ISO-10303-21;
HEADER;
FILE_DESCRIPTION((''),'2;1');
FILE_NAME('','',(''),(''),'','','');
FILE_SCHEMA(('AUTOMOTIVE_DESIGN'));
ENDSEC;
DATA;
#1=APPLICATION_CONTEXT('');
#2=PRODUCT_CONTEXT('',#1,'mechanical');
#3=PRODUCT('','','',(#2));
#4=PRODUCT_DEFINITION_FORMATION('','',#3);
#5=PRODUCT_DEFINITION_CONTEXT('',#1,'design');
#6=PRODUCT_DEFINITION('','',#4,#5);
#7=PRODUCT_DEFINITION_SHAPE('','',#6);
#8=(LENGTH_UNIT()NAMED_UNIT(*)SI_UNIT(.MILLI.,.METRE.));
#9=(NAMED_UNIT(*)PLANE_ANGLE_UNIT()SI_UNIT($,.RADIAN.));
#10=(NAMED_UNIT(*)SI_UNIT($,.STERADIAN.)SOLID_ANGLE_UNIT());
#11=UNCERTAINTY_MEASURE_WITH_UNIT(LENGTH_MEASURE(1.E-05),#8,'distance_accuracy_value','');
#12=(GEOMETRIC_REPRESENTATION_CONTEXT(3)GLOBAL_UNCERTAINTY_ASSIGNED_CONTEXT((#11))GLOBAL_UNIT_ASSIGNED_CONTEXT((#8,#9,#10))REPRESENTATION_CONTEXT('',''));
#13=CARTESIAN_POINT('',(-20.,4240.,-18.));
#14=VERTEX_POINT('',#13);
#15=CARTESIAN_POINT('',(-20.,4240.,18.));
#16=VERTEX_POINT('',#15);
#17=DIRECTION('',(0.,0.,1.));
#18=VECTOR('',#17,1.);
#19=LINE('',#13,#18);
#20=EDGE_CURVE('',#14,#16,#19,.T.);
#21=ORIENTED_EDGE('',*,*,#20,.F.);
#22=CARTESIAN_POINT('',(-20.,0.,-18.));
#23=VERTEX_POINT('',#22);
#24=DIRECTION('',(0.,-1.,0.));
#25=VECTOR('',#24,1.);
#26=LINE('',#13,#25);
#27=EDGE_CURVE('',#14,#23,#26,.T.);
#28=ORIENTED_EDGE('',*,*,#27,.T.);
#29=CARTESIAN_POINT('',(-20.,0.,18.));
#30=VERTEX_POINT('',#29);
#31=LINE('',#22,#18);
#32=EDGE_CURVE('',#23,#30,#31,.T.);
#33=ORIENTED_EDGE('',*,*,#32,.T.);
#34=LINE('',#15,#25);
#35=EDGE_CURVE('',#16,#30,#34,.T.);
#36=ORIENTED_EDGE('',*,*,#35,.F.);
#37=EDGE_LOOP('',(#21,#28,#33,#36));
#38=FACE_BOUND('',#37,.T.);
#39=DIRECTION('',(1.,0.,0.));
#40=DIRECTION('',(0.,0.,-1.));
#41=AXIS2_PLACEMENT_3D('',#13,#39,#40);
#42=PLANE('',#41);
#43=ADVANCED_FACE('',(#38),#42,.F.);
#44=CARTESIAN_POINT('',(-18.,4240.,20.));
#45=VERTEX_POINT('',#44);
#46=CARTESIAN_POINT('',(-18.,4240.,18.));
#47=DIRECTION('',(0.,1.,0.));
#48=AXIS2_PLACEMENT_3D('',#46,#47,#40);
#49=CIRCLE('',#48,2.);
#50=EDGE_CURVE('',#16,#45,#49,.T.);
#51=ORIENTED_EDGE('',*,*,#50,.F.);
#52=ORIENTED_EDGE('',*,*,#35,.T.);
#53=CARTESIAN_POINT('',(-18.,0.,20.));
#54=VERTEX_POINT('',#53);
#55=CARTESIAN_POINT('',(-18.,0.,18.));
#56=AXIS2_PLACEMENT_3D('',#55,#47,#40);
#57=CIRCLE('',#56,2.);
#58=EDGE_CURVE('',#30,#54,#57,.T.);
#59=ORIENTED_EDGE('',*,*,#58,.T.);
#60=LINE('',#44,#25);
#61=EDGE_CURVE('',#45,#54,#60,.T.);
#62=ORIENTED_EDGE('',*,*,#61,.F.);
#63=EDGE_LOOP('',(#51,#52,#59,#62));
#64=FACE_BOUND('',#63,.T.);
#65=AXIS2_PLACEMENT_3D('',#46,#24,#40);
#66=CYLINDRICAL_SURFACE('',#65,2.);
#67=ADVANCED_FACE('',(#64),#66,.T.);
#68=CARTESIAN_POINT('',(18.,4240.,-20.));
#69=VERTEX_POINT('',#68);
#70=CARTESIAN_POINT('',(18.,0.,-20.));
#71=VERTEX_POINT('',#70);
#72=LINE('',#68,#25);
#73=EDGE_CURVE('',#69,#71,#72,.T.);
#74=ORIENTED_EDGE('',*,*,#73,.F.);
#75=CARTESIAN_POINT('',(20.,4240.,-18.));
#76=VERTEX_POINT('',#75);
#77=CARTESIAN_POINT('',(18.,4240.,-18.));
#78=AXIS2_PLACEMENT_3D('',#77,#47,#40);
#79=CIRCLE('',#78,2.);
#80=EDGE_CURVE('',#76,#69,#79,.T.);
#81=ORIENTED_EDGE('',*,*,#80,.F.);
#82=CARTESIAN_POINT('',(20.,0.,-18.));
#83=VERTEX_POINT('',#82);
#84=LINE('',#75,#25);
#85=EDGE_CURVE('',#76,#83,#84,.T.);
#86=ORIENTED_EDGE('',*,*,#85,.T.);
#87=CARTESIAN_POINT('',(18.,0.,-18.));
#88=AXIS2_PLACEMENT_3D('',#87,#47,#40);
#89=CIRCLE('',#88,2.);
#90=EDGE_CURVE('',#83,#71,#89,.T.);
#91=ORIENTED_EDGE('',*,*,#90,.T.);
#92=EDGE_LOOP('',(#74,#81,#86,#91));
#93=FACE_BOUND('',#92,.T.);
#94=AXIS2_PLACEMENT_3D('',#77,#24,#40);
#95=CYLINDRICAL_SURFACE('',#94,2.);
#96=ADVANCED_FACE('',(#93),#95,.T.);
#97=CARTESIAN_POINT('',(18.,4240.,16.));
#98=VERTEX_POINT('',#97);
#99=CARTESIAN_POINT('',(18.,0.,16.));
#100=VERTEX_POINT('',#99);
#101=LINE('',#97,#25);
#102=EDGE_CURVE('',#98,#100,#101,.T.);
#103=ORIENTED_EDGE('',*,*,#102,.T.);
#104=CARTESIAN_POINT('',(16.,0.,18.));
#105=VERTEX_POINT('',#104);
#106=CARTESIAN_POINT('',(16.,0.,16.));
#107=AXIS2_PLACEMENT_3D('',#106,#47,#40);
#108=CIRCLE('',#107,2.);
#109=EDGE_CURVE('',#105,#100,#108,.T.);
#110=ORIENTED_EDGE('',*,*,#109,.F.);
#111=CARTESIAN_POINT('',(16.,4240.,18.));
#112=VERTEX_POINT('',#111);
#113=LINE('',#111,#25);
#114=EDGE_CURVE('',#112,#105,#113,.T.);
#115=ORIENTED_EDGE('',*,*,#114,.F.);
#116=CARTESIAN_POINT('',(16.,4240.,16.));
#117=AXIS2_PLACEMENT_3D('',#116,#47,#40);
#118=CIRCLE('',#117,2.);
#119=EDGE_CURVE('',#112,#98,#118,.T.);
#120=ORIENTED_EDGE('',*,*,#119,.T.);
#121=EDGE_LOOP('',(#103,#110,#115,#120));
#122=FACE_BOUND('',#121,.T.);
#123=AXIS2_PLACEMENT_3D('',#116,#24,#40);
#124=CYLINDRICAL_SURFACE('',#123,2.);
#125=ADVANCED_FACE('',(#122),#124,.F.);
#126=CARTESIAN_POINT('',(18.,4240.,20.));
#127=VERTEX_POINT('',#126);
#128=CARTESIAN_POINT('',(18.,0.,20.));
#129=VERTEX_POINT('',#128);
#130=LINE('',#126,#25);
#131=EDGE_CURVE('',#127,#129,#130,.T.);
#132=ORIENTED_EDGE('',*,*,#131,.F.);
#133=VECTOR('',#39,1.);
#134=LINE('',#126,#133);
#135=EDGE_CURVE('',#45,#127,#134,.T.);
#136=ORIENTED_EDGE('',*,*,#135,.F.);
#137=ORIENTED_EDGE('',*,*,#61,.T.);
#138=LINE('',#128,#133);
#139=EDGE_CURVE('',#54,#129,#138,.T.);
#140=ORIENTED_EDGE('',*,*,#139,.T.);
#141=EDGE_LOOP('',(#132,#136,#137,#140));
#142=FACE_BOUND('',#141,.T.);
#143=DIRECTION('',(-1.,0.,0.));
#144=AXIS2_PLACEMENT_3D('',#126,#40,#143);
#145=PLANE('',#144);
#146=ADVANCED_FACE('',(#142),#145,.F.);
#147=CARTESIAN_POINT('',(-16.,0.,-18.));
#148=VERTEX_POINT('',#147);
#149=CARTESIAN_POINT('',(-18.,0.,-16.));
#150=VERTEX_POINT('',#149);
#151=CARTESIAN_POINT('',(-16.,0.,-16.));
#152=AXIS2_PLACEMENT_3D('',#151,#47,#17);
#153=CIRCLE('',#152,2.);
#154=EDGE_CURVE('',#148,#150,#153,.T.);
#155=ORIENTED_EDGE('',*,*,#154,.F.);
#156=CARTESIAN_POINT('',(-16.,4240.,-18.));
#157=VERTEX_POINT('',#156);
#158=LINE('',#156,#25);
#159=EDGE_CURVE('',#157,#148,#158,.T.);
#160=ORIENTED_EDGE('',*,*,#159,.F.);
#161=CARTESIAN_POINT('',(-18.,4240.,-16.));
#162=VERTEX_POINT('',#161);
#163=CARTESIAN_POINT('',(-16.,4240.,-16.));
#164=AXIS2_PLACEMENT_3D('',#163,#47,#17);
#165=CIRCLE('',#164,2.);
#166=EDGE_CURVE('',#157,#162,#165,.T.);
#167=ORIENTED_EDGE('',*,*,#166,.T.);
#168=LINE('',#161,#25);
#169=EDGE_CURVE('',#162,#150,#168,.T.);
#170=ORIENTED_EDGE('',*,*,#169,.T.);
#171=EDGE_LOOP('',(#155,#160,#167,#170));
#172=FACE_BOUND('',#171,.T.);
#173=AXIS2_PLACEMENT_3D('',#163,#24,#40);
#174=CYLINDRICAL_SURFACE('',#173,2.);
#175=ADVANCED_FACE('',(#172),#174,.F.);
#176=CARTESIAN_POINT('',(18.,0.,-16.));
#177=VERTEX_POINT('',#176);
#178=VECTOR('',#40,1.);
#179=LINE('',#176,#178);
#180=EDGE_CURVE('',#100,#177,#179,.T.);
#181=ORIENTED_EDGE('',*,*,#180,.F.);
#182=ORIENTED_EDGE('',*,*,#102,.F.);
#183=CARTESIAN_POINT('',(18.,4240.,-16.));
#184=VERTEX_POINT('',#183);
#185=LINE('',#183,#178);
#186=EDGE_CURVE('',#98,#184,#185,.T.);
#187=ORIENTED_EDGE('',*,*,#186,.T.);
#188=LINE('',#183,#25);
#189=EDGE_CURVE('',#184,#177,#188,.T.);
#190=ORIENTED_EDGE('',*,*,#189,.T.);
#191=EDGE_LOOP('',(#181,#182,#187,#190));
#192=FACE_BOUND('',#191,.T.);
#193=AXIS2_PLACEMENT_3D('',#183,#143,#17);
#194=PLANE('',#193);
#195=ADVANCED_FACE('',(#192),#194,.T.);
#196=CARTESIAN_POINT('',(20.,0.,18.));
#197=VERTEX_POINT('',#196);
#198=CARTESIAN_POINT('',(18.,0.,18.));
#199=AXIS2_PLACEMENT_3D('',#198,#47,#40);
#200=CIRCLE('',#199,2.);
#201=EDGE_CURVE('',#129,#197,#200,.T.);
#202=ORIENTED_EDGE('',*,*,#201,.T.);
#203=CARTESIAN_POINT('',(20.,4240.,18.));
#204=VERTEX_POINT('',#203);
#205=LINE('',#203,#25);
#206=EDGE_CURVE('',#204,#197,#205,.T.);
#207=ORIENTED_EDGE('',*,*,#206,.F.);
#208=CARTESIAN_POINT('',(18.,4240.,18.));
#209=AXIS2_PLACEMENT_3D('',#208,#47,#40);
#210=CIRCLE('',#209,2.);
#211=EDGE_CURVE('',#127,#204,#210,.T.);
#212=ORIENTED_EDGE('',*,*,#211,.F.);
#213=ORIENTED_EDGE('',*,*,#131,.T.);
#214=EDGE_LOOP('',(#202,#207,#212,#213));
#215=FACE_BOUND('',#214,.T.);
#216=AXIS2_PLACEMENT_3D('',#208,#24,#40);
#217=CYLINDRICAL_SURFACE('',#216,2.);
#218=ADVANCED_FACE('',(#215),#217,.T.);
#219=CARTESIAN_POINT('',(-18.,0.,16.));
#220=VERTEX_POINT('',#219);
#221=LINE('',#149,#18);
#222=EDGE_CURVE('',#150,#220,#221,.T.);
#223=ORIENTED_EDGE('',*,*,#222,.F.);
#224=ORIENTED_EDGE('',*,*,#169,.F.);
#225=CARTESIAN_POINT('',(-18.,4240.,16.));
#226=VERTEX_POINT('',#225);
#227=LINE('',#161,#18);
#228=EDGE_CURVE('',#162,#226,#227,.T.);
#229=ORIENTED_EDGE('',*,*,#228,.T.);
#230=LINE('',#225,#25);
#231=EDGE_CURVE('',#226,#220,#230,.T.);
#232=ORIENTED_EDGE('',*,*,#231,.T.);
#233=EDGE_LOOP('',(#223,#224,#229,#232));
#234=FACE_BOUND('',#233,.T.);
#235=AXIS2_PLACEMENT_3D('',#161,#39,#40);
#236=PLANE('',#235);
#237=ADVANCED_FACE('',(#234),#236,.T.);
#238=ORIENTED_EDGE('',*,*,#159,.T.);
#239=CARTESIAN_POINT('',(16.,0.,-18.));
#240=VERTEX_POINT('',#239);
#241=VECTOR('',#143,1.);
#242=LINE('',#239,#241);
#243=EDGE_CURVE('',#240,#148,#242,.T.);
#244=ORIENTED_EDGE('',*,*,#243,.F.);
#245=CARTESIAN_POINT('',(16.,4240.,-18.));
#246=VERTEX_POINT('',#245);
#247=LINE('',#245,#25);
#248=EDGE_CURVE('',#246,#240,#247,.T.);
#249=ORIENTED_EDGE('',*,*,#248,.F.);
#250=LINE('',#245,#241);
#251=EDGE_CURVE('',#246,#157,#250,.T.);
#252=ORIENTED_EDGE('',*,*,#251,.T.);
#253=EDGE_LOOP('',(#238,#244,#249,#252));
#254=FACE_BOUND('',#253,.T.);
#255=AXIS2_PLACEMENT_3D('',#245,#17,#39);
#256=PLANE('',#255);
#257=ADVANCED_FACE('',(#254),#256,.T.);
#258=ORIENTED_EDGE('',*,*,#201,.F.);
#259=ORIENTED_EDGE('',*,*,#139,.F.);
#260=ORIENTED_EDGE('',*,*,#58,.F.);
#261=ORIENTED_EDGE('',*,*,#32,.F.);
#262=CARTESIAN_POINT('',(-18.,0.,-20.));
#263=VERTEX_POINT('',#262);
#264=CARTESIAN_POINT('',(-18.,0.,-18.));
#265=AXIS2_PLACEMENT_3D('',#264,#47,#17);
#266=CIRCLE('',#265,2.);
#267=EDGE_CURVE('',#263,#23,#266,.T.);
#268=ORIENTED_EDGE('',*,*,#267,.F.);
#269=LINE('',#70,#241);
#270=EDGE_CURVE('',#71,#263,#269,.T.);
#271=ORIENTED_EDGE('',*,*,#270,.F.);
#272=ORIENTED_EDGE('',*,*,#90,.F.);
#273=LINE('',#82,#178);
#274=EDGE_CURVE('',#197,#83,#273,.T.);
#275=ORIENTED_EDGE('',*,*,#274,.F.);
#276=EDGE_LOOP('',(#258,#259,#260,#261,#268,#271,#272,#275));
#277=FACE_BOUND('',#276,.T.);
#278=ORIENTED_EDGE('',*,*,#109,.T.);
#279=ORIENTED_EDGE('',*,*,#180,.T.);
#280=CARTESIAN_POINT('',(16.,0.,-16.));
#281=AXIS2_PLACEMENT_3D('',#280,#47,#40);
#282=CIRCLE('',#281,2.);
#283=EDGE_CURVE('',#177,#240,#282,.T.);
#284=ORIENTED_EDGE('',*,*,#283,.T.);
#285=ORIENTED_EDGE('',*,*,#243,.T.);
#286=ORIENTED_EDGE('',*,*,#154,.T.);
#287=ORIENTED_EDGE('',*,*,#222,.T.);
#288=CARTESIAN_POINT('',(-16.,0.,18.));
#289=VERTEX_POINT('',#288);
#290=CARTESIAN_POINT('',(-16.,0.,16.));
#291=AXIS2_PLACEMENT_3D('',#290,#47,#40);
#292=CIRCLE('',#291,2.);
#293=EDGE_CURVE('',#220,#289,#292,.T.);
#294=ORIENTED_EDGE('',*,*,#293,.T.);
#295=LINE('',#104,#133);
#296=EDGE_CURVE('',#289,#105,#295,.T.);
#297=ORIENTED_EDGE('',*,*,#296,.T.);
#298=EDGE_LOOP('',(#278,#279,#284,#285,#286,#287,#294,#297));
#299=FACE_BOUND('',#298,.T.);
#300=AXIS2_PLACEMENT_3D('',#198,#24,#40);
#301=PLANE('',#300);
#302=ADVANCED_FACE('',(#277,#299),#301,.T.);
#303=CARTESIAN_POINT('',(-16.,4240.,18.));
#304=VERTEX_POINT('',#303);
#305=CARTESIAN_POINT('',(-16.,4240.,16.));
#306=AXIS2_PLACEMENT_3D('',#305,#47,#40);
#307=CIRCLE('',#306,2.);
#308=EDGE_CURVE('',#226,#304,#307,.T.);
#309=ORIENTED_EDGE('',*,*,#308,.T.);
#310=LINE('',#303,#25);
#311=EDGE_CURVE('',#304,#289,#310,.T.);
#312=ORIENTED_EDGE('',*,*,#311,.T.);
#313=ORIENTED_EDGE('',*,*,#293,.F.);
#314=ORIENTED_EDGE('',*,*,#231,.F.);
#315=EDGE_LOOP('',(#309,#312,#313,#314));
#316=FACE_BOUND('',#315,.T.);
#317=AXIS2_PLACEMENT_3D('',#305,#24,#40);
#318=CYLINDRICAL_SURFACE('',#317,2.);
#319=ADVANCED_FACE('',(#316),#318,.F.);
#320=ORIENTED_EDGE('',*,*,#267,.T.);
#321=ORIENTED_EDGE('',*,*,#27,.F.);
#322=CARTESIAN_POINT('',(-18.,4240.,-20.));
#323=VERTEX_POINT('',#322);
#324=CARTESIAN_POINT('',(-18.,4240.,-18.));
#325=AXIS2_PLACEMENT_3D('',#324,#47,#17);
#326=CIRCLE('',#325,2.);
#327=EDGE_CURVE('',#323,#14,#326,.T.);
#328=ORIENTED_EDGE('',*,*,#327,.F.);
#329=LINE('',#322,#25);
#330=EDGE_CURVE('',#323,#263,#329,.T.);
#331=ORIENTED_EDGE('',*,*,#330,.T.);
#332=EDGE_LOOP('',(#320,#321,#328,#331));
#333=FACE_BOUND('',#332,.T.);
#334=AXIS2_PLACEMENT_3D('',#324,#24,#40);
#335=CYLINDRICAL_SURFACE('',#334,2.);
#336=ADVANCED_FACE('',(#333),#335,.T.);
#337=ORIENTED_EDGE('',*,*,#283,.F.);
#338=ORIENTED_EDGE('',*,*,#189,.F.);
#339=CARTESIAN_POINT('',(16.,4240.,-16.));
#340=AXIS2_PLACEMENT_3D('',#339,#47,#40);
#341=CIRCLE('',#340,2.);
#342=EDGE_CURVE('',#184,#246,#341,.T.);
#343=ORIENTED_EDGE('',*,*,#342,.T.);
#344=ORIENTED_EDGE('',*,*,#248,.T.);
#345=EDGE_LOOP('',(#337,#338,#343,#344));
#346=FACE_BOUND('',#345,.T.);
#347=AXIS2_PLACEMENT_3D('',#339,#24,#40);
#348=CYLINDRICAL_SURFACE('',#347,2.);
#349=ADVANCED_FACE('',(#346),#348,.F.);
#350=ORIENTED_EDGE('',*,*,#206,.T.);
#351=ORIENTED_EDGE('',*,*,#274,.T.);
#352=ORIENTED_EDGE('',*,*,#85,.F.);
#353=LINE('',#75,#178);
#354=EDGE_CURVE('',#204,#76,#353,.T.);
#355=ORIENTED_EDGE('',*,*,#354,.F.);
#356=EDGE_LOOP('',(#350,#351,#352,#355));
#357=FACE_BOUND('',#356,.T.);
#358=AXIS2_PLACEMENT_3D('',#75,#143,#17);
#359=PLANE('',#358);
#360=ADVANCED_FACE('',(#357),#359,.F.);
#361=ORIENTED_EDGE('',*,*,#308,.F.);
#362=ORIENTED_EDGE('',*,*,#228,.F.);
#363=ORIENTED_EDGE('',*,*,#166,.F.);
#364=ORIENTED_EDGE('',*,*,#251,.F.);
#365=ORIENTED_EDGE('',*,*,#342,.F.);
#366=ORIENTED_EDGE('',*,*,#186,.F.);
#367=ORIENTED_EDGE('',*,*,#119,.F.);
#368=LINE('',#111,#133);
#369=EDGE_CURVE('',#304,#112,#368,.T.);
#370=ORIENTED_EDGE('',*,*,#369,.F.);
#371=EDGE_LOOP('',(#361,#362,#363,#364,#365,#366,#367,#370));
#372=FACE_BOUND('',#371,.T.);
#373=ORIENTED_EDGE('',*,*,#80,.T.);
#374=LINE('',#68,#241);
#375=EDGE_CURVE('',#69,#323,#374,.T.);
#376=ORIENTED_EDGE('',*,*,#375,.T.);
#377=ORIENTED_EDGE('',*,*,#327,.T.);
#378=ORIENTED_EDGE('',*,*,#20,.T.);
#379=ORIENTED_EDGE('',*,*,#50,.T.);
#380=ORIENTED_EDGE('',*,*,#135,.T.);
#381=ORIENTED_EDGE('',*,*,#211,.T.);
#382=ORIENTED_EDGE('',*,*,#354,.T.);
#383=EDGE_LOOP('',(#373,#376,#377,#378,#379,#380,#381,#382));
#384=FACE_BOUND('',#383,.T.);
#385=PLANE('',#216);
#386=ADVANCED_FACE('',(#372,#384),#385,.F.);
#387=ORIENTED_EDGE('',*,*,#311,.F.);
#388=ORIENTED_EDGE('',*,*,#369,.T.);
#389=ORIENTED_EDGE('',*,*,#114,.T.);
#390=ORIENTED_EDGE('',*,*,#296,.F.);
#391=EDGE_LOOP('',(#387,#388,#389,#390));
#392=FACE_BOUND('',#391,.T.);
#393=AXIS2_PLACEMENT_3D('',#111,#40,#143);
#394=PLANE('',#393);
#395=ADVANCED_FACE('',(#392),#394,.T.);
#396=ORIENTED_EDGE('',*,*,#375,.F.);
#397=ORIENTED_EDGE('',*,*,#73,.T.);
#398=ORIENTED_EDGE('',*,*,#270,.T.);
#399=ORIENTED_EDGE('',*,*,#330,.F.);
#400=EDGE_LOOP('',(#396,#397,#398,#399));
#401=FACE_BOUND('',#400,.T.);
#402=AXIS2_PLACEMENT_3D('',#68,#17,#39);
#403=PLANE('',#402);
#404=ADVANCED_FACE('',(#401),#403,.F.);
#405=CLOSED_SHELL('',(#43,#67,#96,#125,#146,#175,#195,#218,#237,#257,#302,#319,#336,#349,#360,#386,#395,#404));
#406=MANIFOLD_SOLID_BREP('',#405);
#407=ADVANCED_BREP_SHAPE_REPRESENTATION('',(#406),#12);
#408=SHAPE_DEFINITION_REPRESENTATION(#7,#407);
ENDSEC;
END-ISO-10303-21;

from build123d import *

# Parameters (mm, degrees)
EXTRUDE_1_DEPTH = 4240


with BuildPart() as part:
    # Эскиз1 → Бобышка-Вытянуть1 (new body)
    with BuildSketch(Plane(origin=(0, 0, 0), x_dir=(1, 0, 0), z_dir=(0, 1, 0))):
        with BuildLine():
            Line((18, 20), (-18, 20))
            ThreePointArc((-18, 20), (-19.414213562, 19.414213562), (-20, 18))
            Line((-20, 18), (-20, -18))
            ThreePointArc((-20, -18), (-19.414213562, -19.414213562), (-18, -20))
            Line((-18, -20), (18, -20))
            ThreePointArc((18, -20), (19.414213562, -19.414213562), (20, -18))
            Line((20, -18), (20, 18))
            ThreePointArc((20, 18), (19.414213562, 19.414213562), (18, 20))
        make_face()
        with BuildLine():
            Line((16, 18), (-16, 18))
            ThreePointArc((-16, 18), (-17.414213562, 17.414213562), (-18, 16))
            Line((-18, 16), (-18, -16))
            ThreePointArc((-18, -16), (-17.414213562, -17.414213562), (-16, -18))
            Line((-16, -18), (16, -18))
            ThreePointArc((16, -18), (17.414213562, -17.414213562), (18, -16))
            Line((18, -16), (18, 16))
            ThreePointArc((18, 16), (17.414213562, 17.414213562), (16, 18))
        make_face(mode=Mode.SUBTRACT)
    extrude(amount=EXTRUDE_1_DEPTH)


solid = part.part
